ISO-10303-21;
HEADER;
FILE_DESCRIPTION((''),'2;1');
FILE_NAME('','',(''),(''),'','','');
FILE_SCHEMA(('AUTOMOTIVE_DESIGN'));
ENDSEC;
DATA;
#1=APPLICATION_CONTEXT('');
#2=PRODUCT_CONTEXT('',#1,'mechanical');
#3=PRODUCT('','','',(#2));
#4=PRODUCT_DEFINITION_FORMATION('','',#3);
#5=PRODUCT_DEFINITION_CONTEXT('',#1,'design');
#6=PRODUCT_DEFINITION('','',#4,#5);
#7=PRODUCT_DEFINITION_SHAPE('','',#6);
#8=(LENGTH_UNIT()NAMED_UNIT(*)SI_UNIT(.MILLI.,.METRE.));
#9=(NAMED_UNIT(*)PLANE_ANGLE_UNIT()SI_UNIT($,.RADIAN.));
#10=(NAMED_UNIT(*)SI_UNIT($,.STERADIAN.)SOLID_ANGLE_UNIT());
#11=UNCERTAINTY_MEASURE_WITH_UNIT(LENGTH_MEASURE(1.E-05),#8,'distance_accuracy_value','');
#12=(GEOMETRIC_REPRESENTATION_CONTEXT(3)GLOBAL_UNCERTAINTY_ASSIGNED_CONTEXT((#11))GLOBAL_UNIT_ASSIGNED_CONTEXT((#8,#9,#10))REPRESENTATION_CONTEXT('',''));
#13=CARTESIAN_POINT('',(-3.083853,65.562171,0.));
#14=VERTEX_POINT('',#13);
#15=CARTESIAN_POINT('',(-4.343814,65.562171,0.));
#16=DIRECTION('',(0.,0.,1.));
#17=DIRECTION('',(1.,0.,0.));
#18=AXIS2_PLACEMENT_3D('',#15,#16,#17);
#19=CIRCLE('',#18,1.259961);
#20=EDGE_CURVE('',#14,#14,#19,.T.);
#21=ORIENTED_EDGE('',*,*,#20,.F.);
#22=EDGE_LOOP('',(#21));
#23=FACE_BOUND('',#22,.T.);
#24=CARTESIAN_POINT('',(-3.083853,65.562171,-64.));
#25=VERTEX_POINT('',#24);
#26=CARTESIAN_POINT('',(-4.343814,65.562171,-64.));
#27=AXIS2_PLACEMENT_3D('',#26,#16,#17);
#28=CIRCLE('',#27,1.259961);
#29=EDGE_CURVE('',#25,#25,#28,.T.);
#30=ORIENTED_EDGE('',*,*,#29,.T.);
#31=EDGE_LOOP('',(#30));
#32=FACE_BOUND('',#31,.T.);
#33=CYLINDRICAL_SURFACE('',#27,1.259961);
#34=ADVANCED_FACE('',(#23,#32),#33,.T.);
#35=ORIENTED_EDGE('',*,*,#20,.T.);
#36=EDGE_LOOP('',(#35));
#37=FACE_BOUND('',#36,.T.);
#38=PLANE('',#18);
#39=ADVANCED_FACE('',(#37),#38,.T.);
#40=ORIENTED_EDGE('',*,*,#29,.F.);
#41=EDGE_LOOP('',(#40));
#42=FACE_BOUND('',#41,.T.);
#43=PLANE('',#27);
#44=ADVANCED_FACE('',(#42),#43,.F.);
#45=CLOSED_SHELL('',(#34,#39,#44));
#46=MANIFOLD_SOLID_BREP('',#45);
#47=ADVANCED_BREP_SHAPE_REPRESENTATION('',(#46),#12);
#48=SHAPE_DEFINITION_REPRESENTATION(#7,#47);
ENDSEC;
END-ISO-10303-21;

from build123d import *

# Parameters (mm, degrees)
ESQUISSE1_R      = 1.259960856
EXTRUSION1_DEPTH = 64


with BuildPart() as part:
    # Esquisse1 → Extrusion1 (new body)
    with BuildSketch(Plane.XY):
        with Locations((-4.343814251, 65.562171183)):
            Circle(ESQUISSE1_R)
    extrude(amount=-EXTRUSION1_DEPTH)


solid = part.part
